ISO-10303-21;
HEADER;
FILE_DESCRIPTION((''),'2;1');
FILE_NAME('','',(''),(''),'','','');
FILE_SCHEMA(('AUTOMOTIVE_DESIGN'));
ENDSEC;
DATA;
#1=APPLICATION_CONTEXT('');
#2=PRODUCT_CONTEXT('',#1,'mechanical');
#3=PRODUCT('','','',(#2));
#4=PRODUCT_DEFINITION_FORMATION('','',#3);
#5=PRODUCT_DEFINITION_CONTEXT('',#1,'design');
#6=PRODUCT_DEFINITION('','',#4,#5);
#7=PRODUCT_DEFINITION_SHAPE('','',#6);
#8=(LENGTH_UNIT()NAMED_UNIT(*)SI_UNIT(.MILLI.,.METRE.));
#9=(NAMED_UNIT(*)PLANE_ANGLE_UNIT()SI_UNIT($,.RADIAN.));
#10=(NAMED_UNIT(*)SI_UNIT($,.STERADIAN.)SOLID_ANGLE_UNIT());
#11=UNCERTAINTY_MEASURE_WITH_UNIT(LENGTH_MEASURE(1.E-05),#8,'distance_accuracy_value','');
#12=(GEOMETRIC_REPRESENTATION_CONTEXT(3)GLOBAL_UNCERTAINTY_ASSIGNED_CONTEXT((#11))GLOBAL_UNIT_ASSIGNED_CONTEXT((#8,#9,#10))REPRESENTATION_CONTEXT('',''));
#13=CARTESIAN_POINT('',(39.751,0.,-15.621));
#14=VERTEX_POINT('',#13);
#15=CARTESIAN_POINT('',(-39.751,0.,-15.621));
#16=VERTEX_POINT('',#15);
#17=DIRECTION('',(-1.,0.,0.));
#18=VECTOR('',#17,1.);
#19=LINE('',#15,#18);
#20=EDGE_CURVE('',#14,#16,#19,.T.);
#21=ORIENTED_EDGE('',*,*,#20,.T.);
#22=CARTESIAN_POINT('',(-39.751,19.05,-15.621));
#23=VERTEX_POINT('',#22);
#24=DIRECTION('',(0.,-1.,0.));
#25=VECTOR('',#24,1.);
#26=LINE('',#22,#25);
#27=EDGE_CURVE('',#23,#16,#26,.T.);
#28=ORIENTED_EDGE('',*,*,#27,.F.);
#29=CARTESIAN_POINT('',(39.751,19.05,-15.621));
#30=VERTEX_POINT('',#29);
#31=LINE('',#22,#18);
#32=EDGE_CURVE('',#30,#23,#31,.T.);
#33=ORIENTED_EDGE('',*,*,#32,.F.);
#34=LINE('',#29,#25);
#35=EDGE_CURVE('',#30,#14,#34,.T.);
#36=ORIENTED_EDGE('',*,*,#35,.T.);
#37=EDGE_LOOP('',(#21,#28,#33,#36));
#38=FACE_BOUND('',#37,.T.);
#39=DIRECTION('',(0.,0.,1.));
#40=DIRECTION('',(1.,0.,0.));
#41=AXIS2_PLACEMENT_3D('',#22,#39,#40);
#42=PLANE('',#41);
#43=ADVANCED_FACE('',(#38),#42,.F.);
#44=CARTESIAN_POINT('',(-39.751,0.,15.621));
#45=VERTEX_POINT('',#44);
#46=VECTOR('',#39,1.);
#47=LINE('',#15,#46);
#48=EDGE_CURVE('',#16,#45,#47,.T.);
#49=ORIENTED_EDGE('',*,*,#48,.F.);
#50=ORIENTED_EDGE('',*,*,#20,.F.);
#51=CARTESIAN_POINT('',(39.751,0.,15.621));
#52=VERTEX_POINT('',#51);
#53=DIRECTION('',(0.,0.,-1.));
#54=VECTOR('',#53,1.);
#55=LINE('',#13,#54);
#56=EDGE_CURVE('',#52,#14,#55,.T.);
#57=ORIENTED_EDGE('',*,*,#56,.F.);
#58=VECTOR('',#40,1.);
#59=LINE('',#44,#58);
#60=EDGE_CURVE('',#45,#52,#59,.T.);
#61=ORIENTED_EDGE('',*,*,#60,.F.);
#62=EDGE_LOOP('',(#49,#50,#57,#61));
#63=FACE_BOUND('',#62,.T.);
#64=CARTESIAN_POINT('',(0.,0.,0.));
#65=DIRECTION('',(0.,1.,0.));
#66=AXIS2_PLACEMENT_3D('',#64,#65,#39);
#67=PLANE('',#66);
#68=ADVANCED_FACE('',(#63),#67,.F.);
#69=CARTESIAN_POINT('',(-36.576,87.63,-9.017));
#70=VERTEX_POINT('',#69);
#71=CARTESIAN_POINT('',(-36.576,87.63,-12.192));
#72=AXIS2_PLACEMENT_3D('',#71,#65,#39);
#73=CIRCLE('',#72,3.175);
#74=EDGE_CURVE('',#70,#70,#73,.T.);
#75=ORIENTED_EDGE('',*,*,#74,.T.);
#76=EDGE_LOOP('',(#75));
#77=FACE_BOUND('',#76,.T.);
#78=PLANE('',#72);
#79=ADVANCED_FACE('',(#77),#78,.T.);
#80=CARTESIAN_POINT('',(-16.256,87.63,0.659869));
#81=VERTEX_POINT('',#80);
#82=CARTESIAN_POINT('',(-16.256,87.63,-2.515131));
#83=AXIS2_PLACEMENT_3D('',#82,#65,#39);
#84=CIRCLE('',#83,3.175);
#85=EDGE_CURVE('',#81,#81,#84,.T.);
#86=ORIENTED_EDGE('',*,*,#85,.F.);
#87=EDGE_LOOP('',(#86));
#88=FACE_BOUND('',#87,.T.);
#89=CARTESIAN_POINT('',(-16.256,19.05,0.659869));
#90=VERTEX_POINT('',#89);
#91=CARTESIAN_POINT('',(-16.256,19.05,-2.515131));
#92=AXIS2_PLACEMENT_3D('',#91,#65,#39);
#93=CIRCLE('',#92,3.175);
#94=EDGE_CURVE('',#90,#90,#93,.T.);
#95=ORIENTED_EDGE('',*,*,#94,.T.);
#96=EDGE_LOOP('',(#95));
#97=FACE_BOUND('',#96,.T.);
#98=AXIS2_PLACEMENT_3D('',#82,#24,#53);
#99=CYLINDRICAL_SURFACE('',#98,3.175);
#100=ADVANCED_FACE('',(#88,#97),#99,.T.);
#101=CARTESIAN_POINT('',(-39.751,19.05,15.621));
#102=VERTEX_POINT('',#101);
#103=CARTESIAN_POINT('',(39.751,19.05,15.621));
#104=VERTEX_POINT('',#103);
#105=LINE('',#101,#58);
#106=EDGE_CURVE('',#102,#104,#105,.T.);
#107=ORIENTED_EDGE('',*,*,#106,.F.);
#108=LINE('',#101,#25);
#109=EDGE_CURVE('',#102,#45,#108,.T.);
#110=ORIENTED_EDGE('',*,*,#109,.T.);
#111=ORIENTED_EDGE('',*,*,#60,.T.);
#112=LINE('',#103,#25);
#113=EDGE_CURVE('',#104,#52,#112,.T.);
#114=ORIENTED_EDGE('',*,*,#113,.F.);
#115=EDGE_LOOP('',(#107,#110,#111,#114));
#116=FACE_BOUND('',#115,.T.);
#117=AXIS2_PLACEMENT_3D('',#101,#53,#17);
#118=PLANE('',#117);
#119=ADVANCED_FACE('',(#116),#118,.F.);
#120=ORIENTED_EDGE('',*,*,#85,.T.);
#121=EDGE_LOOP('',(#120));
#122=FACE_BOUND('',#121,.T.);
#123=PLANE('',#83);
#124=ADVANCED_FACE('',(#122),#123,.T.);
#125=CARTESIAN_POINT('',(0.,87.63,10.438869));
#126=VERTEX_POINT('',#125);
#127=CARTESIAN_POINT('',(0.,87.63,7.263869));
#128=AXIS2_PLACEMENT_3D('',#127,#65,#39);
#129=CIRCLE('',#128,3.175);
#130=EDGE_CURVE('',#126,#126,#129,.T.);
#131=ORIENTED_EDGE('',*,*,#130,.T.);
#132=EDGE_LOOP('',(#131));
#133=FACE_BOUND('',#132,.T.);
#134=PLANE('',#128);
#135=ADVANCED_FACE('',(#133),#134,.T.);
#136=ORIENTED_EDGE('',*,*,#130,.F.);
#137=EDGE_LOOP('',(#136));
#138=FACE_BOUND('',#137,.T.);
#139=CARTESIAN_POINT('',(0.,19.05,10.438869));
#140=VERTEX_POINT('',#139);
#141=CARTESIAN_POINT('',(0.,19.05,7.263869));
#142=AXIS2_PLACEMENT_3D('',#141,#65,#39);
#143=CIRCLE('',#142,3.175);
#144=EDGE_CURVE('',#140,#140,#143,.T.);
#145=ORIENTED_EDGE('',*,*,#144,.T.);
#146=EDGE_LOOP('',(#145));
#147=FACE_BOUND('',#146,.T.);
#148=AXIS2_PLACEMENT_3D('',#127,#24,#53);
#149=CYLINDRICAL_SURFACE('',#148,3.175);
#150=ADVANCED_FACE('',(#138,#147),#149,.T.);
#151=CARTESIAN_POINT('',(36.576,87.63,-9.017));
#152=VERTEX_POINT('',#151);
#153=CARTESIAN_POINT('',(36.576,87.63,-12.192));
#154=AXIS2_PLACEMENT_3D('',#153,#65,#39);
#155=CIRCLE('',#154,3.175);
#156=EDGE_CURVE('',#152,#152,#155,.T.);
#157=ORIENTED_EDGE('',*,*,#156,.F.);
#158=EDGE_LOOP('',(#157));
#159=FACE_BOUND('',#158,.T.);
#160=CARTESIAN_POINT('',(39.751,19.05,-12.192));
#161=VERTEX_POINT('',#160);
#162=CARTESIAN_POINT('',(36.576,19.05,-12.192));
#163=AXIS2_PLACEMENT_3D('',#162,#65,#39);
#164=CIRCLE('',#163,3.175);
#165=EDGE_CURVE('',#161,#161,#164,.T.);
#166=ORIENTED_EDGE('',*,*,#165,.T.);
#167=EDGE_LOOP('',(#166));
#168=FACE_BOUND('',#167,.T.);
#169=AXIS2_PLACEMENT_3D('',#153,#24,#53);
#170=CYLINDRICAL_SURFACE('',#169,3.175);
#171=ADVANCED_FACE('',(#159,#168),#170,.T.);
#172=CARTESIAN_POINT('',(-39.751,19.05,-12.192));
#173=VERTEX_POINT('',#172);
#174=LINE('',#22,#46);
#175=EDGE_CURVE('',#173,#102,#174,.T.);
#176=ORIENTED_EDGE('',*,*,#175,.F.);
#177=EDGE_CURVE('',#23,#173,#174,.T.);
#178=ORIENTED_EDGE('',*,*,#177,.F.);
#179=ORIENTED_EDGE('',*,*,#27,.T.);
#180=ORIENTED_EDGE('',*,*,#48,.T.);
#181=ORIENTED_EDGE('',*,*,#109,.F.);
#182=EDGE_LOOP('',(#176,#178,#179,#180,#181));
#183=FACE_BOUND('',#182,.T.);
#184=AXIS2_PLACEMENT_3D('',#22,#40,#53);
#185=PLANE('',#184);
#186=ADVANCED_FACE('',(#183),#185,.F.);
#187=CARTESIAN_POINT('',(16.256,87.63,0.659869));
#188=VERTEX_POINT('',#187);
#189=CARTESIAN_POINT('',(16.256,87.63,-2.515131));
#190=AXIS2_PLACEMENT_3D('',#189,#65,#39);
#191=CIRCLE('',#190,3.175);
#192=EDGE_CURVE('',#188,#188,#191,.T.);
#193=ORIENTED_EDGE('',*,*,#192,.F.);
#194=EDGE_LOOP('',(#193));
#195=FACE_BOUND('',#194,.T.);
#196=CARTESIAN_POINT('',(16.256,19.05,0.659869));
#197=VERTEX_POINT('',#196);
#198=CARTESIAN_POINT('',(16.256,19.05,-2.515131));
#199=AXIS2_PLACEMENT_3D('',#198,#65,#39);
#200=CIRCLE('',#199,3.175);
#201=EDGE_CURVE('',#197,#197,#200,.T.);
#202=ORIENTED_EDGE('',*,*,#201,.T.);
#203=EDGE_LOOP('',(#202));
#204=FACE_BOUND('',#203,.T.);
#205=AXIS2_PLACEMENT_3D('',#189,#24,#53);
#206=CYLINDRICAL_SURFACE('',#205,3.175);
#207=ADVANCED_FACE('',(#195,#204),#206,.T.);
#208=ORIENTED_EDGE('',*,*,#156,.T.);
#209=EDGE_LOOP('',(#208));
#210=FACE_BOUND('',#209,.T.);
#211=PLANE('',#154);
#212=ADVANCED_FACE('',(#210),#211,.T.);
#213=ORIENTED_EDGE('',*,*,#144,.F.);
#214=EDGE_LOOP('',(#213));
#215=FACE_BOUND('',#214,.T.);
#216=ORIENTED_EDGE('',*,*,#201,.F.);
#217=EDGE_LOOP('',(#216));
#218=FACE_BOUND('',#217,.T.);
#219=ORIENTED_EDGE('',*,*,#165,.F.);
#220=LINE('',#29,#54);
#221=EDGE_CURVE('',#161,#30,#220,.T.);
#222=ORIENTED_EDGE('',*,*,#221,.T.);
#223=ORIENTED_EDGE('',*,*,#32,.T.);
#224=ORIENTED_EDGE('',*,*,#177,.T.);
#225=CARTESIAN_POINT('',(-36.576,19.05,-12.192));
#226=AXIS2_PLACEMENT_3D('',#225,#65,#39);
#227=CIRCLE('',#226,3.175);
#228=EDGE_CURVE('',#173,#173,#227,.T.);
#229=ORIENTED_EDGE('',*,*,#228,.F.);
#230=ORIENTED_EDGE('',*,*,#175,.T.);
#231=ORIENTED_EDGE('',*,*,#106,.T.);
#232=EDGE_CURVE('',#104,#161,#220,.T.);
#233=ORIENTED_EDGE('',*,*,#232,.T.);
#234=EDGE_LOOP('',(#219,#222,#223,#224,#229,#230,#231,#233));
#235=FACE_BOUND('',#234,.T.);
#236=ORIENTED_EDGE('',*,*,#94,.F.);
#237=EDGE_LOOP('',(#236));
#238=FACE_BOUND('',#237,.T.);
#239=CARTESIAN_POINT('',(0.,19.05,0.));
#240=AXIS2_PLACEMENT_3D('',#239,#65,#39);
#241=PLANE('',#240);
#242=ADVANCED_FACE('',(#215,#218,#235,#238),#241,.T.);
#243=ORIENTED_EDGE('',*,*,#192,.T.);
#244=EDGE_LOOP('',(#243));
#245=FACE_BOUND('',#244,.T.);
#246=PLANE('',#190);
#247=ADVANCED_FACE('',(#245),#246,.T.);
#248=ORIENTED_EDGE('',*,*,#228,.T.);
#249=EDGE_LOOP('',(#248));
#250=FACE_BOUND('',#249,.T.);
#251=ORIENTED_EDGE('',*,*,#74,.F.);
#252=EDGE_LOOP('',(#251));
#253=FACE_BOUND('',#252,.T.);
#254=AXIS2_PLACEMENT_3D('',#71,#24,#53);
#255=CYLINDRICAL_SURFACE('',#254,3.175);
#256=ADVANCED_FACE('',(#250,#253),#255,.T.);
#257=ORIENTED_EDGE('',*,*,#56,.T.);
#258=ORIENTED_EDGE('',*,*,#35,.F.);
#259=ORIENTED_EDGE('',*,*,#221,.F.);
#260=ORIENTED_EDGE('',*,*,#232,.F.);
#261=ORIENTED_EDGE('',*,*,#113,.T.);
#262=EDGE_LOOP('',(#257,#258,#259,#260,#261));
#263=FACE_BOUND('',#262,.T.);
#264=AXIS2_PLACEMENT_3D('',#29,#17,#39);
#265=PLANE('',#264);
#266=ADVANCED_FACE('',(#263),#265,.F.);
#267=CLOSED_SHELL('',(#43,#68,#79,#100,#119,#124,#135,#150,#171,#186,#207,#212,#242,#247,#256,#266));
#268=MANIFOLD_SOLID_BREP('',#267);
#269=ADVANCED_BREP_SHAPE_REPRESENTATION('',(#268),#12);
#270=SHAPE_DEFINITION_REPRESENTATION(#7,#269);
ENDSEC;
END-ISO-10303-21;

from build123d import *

# Parameters (mm, degrees)
SKETCH1_W           = 79.502
SKETCH1_H           = 31.242
BOSS_EXTRUDE1_DEPTH = 19.05
SKETCH2_R           = 3.175
BOSS_EXTRUDE2_DEPTH = 68.58


with BuildPart() as part:
    # Sketch1 → Boss-Extrude1 (new body)
    with BuildSketch(Plane(origin=(0, 0, 0), x_dir=(1, 0, 0), z_dir=(0, 1, 0))):
        Rectangle(SKETCH1_W, SKETCH1_H)
    extrude(amount=BOSS_EXTRUDE1_DEPTH)

    # Sketch2 → Boss-Extrude2 (add)
    with BuildSketch(Plane(origin=(0, 19.05, 0), x_dir=(1, 0, 0), z_dir=(0, 1, 0))):
        with Locations(Location((-36.576, 12.192, 0), (0, 0, 180))):
            Circle(SKETCH2_R)
        with Locations(Location((-16.256, 2.515131479, 0), (0, 0, 270))):
            Circle(SKETCH2_R)
        with Locations(Location((0, -7.263868521, 0), (0, 0, 270))):
            Circle(SKETCH2_R)
        with Locations(Location((16.256, 2.515131479, 0), (0, 0, 270))):
            Circle(SKETCH2_R)
        with Locations((36.576, 12.192)):
            Circle(SKETCH2_R)
    extrude(amount=BOSS_EXTRUDE2_DEPTH)


solid = part.part
